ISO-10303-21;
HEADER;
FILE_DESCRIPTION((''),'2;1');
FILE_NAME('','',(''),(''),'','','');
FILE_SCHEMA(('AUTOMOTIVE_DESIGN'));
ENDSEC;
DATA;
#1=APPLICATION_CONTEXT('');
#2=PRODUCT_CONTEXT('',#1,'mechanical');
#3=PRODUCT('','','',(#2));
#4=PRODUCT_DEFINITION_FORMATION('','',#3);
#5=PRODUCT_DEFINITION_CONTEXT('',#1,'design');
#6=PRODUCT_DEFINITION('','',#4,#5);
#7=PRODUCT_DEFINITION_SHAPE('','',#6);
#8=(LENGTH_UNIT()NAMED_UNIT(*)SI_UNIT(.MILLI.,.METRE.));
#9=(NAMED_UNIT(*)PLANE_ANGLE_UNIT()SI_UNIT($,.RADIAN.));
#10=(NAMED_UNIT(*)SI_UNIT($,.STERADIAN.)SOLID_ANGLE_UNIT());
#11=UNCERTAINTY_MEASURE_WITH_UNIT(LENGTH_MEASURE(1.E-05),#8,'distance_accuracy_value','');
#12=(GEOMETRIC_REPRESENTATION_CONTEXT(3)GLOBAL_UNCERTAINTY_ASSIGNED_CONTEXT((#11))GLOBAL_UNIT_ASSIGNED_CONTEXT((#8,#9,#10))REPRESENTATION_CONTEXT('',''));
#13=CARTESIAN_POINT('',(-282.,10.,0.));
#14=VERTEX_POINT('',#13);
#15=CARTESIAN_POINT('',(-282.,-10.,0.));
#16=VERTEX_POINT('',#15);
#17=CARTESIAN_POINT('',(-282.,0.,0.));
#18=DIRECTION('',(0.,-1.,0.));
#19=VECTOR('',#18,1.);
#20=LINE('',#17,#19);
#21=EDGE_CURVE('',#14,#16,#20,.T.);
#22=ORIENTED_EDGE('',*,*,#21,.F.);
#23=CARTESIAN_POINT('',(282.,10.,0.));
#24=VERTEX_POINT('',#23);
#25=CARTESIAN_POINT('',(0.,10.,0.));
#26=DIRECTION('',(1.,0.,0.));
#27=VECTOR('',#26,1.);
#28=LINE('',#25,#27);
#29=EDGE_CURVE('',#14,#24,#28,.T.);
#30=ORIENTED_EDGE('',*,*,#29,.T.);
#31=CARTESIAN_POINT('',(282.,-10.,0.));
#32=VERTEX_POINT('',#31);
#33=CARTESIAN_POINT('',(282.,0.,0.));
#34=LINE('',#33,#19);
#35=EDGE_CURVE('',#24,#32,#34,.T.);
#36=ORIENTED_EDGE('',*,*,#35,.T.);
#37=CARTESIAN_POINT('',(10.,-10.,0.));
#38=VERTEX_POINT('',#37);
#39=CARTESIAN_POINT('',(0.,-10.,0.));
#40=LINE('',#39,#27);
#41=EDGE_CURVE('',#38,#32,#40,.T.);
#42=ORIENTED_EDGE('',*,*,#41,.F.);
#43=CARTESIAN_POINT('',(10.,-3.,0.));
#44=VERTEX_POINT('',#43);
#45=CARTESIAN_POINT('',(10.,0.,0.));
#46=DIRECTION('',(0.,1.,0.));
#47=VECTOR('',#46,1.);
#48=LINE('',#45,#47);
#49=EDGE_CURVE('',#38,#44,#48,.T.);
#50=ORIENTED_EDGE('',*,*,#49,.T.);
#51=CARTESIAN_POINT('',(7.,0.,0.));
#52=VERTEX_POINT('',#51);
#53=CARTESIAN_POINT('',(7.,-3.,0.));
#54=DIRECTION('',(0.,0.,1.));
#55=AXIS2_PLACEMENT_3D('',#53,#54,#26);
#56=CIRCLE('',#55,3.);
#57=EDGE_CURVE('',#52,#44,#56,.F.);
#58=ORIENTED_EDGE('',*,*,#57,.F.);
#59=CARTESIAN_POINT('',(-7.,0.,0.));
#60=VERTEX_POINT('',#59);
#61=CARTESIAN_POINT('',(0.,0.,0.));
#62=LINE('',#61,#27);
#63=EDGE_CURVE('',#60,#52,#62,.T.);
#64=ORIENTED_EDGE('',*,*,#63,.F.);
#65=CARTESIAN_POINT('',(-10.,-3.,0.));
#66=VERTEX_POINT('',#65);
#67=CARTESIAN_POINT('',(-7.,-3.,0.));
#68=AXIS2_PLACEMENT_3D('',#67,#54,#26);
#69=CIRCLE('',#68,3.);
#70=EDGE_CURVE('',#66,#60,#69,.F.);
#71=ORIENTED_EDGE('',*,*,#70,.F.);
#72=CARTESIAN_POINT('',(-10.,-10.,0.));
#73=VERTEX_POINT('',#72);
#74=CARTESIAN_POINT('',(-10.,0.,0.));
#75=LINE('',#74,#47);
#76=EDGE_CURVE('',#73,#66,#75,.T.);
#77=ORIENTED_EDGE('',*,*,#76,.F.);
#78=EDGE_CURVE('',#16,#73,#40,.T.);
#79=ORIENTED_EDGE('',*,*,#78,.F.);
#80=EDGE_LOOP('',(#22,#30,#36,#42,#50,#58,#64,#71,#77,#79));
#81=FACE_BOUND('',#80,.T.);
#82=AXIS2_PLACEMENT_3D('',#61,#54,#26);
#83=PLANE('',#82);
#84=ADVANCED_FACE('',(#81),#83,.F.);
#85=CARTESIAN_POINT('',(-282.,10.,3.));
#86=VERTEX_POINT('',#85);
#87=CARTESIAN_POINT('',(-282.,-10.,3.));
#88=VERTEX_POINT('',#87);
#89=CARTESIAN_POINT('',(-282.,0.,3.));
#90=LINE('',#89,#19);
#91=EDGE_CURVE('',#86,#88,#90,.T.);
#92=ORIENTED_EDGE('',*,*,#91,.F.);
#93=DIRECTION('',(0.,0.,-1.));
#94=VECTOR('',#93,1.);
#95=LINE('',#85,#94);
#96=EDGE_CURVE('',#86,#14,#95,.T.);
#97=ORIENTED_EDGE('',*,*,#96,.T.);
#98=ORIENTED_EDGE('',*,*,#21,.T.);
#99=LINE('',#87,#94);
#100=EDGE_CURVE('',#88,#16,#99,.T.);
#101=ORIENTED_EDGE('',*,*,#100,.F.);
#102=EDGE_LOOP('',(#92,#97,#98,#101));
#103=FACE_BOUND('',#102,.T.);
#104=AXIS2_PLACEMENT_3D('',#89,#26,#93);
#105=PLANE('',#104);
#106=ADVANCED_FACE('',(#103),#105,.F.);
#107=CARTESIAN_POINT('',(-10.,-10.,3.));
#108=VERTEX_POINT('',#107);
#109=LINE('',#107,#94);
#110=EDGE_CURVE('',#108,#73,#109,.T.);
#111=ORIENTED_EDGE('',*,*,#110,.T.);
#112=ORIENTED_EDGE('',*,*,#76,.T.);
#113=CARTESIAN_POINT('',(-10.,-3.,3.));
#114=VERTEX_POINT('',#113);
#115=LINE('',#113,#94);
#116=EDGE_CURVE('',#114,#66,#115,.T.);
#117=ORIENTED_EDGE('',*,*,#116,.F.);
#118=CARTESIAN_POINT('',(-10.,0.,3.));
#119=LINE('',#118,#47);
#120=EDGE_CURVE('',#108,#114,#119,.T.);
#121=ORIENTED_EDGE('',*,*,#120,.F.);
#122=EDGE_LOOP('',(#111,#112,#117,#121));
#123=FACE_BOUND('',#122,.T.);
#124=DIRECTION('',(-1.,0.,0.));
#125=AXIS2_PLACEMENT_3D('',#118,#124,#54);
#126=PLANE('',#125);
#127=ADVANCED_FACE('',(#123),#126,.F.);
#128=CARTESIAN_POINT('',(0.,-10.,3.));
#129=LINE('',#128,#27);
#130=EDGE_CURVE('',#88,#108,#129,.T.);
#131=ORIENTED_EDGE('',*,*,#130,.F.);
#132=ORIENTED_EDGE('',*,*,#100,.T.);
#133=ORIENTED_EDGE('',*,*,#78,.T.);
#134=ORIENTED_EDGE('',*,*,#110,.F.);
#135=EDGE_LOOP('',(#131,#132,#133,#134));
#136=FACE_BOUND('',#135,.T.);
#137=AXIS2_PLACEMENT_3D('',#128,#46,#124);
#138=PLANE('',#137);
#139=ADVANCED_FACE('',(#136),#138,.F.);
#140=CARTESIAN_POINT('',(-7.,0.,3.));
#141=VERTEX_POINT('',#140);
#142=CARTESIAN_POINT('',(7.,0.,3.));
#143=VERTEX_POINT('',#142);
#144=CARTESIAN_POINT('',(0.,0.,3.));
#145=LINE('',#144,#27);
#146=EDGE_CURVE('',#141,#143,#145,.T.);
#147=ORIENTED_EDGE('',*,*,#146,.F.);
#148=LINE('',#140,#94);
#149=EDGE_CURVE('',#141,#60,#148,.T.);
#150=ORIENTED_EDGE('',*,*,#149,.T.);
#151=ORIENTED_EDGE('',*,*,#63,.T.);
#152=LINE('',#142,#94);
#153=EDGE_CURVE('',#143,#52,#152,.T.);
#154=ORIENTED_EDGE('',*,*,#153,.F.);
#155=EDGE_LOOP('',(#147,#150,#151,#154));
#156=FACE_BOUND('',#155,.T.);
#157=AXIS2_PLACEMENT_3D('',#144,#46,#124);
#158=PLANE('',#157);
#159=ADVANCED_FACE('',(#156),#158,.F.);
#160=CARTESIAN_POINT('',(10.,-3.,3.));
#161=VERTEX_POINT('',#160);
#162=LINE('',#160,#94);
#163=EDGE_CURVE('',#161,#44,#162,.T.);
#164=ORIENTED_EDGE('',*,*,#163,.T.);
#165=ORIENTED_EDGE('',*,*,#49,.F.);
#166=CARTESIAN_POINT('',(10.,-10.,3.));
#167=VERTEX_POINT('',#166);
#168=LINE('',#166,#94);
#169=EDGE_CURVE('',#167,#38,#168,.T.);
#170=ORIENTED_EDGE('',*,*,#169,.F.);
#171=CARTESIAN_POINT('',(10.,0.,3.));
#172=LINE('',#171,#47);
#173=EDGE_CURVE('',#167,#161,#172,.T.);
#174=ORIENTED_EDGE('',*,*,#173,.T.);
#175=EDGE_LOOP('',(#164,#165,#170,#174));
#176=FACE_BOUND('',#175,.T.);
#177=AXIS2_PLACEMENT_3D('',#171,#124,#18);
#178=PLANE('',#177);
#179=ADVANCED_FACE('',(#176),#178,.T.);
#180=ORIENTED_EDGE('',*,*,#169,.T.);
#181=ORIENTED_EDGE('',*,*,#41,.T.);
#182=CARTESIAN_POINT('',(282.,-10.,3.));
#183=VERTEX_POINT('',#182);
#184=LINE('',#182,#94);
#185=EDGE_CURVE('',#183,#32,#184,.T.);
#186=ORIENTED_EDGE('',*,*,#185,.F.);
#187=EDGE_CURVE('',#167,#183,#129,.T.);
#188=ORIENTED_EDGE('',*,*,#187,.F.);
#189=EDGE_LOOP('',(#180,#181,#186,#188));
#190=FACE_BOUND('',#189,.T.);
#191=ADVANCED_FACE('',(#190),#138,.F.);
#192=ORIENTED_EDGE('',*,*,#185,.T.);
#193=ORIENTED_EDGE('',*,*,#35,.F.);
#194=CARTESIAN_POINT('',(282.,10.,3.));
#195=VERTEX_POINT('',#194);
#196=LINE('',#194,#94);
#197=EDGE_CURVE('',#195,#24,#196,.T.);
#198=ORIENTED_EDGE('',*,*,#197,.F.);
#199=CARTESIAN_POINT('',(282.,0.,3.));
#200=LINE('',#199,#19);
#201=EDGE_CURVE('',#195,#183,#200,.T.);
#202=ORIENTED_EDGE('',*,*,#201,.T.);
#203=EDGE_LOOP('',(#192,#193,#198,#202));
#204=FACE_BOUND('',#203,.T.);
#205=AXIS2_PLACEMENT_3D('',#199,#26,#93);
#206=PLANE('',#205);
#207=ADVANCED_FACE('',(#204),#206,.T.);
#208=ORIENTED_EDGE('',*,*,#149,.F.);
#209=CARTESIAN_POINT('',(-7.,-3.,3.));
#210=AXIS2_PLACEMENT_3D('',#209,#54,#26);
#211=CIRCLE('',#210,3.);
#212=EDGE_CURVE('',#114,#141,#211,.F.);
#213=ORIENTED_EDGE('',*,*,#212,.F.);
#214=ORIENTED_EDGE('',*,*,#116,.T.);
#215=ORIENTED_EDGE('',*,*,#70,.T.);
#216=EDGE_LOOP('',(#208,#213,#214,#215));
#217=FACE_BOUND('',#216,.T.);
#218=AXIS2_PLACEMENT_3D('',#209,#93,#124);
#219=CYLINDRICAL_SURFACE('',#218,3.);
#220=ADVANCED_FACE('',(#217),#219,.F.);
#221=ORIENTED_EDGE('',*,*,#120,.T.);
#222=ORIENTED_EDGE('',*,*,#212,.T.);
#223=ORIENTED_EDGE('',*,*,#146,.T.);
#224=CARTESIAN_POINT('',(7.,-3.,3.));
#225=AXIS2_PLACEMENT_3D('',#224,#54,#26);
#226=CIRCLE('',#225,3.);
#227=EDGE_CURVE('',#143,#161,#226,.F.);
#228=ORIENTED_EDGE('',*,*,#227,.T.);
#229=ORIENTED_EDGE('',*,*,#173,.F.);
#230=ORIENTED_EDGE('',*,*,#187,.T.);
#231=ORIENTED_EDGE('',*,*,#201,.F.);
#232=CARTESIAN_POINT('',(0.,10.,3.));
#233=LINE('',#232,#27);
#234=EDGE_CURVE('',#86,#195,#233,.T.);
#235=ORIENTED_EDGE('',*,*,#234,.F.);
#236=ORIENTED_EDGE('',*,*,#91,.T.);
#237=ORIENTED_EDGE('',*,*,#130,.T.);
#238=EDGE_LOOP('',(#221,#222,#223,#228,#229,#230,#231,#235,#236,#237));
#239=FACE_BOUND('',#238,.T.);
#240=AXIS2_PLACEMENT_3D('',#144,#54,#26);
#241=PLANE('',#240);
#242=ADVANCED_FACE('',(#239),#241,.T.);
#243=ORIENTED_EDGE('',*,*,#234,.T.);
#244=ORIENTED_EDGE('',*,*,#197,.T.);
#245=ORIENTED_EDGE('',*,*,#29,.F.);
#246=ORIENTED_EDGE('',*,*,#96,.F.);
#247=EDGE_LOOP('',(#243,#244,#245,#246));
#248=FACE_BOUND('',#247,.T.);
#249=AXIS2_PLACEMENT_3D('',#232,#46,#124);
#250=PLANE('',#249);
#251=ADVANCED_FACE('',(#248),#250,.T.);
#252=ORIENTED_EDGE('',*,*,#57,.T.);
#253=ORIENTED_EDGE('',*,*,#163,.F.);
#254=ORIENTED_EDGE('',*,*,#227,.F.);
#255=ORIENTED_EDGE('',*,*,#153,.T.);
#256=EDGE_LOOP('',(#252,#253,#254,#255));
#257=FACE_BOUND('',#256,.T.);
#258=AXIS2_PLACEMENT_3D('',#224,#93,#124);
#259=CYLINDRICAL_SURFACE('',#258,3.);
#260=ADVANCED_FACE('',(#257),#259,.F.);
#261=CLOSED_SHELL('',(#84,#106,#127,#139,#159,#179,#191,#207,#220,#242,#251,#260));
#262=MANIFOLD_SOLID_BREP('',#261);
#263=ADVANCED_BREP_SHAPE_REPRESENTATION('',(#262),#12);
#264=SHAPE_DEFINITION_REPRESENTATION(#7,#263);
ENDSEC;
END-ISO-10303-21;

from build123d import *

# Parameters (mm, degrees)
EXTRUDE_1_DEPTH = 3


with BuildPart() as part:
    # 草圖1 → 填料-伸長1 (new body)
    with BuildSketch(Plane.XY):
        with BuildLine():
            Line((-282, -10), (-10, -10))
            Line((-10, -10), (-10, -3))
            ThreePointArc((-10, -3), (-9.121320344, -0.878679656), (-7, 0))
            Line((-7, 0), (7, 0))
            ThreePointArc((7, 0), (9.121320344, -0.878679656), (10, -3))
            Line((10, -3), (10, -10))
            Line((10, -10), (282, -10))
            Line((282, -10), (282, 10))
            Line((282, 10), (-282, 10))
            Line((-282, 10), (-282, -10))
        make_face()
    extrude(amount=EXTRUDE_1_DEPTH)


solid = part.part
